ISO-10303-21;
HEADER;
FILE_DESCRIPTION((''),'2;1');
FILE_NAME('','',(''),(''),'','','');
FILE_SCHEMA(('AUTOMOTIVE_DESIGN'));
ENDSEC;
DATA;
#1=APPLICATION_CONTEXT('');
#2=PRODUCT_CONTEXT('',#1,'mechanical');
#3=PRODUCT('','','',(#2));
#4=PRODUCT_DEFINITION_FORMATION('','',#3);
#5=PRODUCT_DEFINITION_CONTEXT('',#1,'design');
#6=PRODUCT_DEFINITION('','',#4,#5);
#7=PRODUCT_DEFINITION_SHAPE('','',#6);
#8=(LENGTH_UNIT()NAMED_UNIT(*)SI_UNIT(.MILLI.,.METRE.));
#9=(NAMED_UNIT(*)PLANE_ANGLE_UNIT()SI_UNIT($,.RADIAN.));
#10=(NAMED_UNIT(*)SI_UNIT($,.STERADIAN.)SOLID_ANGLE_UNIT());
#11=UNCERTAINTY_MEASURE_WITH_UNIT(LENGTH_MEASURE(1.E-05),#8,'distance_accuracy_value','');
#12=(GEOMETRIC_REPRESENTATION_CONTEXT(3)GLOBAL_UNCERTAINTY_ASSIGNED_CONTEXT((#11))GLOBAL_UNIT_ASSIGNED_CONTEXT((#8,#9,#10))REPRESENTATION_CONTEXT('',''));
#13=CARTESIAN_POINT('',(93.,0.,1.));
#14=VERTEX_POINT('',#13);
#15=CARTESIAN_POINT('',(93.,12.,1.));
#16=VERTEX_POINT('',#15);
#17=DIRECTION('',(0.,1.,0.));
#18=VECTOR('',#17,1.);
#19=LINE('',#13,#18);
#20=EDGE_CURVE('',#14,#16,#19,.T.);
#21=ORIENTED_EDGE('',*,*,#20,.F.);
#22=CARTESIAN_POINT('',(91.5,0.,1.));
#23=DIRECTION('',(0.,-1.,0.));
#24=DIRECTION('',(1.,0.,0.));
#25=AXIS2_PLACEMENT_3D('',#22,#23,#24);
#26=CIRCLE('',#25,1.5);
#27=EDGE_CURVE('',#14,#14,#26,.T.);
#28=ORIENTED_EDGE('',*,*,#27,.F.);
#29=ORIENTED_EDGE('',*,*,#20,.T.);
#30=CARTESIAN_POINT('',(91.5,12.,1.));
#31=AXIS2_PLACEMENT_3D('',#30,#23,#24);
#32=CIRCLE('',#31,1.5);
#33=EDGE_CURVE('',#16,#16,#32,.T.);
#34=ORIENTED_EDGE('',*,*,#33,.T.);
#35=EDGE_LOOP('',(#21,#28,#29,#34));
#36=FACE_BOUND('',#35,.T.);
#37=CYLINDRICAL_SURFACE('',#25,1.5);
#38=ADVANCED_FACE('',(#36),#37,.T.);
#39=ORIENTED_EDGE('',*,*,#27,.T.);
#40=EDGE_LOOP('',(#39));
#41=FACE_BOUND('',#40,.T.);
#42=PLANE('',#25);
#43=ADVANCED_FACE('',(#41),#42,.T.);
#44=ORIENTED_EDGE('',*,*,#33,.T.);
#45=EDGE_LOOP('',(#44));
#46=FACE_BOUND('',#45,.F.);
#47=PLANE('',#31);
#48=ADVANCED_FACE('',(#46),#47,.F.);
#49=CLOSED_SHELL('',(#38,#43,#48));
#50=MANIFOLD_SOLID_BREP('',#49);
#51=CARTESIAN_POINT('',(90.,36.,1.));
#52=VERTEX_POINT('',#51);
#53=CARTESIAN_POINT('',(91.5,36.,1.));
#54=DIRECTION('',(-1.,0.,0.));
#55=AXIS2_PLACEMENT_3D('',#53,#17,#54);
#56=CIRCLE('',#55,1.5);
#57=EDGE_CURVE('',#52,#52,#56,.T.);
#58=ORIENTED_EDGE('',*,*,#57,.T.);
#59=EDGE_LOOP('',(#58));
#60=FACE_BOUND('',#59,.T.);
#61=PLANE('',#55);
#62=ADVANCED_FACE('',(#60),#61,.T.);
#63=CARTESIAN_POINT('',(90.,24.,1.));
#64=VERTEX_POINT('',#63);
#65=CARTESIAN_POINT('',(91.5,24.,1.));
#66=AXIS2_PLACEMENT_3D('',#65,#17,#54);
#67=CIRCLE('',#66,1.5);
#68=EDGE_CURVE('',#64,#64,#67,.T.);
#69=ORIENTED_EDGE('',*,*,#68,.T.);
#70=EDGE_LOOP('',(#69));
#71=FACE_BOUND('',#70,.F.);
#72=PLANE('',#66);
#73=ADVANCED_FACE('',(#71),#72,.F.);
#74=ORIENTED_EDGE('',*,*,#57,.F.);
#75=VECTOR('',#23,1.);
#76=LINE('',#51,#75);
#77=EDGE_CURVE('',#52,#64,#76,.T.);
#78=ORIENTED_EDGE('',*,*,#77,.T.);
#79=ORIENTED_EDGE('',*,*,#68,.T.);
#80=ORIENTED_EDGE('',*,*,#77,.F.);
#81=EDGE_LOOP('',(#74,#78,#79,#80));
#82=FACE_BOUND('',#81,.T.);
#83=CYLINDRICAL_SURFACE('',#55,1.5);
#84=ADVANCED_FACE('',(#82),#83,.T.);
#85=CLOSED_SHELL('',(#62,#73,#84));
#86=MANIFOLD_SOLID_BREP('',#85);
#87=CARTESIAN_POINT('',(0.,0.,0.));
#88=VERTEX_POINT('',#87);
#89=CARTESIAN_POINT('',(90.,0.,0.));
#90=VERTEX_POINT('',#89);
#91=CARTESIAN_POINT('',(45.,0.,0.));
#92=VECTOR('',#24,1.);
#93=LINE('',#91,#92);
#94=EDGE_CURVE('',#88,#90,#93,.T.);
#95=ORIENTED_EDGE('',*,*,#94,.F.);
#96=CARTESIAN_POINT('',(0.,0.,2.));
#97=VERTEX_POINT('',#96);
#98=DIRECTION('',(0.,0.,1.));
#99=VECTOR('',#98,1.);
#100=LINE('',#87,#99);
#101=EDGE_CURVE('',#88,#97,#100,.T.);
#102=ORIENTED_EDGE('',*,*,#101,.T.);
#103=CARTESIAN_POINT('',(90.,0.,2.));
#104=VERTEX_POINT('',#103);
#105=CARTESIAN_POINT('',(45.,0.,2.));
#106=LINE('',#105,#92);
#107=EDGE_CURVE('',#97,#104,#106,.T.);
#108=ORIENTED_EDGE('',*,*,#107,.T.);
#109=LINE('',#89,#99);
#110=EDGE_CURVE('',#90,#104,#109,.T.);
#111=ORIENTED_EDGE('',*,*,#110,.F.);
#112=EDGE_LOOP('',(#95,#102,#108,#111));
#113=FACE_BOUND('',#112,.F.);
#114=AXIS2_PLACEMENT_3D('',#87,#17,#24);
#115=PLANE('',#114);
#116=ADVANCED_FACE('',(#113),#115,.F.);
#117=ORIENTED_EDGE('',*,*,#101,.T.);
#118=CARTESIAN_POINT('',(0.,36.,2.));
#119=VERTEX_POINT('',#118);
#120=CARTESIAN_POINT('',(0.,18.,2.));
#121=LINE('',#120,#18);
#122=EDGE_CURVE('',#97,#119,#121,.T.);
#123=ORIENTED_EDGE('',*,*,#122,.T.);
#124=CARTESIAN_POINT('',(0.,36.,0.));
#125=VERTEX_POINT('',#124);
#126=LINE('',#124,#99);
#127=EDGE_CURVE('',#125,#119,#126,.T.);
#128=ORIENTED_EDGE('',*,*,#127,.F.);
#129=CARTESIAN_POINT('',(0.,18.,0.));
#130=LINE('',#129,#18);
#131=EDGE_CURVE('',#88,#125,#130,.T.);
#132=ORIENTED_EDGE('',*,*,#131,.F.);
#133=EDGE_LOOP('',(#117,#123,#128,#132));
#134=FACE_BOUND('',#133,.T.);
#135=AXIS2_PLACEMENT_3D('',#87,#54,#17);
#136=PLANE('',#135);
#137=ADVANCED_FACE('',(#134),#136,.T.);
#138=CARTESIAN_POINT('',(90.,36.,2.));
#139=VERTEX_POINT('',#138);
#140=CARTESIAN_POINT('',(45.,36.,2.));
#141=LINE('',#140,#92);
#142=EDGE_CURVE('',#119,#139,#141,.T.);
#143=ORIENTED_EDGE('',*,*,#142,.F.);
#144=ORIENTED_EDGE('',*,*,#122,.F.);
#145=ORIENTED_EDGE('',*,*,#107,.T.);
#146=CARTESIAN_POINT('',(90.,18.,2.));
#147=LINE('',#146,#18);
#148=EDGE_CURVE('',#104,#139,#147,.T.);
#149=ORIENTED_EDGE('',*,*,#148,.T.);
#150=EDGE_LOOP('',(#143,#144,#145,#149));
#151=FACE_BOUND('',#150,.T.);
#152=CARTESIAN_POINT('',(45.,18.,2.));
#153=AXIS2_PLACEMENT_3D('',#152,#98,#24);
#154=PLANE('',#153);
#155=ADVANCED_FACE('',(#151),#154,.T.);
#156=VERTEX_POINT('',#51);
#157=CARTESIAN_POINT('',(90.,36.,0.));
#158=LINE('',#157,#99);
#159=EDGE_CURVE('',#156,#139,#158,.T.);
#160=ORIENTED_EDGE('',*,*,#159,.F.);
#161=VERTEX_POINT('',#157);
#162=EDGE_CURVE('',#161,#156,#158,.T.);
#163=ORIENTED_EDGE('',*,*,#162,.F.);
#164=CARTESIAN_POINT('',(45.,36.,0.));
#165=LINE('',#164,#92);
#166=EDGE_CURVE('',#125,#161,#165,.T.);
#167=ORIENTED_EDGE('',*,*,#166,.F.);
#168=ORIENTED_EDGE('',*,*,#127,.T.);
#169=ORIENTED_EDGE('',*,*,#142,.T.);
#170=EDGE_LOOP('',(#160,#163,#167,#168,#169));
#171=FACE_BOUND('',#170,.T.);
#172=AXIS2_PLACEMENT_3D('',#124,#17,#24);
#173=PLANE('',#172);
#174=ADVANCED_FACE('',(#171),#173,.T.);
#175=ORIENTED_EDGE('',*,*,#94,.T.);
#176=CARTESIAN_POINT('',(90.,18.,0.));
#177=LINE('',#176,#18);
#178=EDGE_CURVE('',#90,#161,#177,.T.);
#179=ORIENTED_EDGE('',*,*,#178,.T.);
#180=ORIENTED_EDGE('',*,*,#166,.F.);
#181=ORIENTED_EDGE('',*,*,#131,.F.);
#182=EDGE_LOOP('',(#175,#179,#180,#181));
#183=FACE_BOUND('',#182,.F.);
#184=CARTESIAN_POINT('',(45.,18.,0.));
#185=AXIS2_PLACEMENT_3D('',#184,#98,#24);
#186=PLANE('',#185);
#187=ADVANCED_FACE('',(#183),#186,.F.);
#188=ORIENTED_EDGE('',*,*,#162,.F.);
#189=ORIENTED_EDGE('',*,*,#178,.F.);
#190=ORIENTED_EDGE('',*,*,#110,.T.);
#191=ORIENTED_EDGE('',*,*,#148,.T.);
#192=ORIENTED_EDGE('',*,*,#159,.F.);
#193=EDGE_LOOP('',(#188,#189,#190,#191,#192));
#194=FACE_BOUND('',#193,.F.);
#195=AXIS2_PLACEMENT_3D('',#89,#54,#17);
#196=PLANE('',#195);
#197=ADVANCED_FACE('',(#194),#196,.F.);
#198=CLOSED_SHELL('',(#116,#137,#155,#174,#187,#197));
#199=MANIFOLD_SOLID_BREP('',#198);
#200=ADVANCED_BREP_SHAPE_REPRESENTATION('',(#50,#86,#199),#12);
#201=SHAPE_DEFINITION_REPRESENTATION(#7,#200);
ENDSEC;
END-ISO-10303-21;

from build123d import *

# Parameters (mm, degrees)
F0_W     = 90
F0_H     = 36
F1_DEPTH = 2
F2_R     = 1.5
F3_DEPTH = 12
F4_R     = 1.5
F5_DEPTH = 12


with BuildPart() as f1:
    # F0 (on Top) → F1 (new body)
    with BuildSketch(Plane.XY):
        with Locations((45, 18)):
            Rectangle(F0_W, F0_H)
    extrude(amount=F1_DEPTH)

    # F4 (on face) → F5 (join)
    with BuildSketch(Plane(origin=(0, 36, 0), x_dir=(-1, 0, 0), z_dir=(0, 1, 0))):
        with Locations((-91.5, 1)):
            Circle(F4_R)
    extrude(amount=-F5_DEPTH)


with BuildPart() as f3:
    # F2 (on Front) → F3 (new body)
    with BuildSketch(Plane.XZ):
        with Locations((91.5, 1)):
            Circle(F2_R)
    extrude(amount=-F3_DEPTH)


solid = Compound([f1.part, f3.part])
